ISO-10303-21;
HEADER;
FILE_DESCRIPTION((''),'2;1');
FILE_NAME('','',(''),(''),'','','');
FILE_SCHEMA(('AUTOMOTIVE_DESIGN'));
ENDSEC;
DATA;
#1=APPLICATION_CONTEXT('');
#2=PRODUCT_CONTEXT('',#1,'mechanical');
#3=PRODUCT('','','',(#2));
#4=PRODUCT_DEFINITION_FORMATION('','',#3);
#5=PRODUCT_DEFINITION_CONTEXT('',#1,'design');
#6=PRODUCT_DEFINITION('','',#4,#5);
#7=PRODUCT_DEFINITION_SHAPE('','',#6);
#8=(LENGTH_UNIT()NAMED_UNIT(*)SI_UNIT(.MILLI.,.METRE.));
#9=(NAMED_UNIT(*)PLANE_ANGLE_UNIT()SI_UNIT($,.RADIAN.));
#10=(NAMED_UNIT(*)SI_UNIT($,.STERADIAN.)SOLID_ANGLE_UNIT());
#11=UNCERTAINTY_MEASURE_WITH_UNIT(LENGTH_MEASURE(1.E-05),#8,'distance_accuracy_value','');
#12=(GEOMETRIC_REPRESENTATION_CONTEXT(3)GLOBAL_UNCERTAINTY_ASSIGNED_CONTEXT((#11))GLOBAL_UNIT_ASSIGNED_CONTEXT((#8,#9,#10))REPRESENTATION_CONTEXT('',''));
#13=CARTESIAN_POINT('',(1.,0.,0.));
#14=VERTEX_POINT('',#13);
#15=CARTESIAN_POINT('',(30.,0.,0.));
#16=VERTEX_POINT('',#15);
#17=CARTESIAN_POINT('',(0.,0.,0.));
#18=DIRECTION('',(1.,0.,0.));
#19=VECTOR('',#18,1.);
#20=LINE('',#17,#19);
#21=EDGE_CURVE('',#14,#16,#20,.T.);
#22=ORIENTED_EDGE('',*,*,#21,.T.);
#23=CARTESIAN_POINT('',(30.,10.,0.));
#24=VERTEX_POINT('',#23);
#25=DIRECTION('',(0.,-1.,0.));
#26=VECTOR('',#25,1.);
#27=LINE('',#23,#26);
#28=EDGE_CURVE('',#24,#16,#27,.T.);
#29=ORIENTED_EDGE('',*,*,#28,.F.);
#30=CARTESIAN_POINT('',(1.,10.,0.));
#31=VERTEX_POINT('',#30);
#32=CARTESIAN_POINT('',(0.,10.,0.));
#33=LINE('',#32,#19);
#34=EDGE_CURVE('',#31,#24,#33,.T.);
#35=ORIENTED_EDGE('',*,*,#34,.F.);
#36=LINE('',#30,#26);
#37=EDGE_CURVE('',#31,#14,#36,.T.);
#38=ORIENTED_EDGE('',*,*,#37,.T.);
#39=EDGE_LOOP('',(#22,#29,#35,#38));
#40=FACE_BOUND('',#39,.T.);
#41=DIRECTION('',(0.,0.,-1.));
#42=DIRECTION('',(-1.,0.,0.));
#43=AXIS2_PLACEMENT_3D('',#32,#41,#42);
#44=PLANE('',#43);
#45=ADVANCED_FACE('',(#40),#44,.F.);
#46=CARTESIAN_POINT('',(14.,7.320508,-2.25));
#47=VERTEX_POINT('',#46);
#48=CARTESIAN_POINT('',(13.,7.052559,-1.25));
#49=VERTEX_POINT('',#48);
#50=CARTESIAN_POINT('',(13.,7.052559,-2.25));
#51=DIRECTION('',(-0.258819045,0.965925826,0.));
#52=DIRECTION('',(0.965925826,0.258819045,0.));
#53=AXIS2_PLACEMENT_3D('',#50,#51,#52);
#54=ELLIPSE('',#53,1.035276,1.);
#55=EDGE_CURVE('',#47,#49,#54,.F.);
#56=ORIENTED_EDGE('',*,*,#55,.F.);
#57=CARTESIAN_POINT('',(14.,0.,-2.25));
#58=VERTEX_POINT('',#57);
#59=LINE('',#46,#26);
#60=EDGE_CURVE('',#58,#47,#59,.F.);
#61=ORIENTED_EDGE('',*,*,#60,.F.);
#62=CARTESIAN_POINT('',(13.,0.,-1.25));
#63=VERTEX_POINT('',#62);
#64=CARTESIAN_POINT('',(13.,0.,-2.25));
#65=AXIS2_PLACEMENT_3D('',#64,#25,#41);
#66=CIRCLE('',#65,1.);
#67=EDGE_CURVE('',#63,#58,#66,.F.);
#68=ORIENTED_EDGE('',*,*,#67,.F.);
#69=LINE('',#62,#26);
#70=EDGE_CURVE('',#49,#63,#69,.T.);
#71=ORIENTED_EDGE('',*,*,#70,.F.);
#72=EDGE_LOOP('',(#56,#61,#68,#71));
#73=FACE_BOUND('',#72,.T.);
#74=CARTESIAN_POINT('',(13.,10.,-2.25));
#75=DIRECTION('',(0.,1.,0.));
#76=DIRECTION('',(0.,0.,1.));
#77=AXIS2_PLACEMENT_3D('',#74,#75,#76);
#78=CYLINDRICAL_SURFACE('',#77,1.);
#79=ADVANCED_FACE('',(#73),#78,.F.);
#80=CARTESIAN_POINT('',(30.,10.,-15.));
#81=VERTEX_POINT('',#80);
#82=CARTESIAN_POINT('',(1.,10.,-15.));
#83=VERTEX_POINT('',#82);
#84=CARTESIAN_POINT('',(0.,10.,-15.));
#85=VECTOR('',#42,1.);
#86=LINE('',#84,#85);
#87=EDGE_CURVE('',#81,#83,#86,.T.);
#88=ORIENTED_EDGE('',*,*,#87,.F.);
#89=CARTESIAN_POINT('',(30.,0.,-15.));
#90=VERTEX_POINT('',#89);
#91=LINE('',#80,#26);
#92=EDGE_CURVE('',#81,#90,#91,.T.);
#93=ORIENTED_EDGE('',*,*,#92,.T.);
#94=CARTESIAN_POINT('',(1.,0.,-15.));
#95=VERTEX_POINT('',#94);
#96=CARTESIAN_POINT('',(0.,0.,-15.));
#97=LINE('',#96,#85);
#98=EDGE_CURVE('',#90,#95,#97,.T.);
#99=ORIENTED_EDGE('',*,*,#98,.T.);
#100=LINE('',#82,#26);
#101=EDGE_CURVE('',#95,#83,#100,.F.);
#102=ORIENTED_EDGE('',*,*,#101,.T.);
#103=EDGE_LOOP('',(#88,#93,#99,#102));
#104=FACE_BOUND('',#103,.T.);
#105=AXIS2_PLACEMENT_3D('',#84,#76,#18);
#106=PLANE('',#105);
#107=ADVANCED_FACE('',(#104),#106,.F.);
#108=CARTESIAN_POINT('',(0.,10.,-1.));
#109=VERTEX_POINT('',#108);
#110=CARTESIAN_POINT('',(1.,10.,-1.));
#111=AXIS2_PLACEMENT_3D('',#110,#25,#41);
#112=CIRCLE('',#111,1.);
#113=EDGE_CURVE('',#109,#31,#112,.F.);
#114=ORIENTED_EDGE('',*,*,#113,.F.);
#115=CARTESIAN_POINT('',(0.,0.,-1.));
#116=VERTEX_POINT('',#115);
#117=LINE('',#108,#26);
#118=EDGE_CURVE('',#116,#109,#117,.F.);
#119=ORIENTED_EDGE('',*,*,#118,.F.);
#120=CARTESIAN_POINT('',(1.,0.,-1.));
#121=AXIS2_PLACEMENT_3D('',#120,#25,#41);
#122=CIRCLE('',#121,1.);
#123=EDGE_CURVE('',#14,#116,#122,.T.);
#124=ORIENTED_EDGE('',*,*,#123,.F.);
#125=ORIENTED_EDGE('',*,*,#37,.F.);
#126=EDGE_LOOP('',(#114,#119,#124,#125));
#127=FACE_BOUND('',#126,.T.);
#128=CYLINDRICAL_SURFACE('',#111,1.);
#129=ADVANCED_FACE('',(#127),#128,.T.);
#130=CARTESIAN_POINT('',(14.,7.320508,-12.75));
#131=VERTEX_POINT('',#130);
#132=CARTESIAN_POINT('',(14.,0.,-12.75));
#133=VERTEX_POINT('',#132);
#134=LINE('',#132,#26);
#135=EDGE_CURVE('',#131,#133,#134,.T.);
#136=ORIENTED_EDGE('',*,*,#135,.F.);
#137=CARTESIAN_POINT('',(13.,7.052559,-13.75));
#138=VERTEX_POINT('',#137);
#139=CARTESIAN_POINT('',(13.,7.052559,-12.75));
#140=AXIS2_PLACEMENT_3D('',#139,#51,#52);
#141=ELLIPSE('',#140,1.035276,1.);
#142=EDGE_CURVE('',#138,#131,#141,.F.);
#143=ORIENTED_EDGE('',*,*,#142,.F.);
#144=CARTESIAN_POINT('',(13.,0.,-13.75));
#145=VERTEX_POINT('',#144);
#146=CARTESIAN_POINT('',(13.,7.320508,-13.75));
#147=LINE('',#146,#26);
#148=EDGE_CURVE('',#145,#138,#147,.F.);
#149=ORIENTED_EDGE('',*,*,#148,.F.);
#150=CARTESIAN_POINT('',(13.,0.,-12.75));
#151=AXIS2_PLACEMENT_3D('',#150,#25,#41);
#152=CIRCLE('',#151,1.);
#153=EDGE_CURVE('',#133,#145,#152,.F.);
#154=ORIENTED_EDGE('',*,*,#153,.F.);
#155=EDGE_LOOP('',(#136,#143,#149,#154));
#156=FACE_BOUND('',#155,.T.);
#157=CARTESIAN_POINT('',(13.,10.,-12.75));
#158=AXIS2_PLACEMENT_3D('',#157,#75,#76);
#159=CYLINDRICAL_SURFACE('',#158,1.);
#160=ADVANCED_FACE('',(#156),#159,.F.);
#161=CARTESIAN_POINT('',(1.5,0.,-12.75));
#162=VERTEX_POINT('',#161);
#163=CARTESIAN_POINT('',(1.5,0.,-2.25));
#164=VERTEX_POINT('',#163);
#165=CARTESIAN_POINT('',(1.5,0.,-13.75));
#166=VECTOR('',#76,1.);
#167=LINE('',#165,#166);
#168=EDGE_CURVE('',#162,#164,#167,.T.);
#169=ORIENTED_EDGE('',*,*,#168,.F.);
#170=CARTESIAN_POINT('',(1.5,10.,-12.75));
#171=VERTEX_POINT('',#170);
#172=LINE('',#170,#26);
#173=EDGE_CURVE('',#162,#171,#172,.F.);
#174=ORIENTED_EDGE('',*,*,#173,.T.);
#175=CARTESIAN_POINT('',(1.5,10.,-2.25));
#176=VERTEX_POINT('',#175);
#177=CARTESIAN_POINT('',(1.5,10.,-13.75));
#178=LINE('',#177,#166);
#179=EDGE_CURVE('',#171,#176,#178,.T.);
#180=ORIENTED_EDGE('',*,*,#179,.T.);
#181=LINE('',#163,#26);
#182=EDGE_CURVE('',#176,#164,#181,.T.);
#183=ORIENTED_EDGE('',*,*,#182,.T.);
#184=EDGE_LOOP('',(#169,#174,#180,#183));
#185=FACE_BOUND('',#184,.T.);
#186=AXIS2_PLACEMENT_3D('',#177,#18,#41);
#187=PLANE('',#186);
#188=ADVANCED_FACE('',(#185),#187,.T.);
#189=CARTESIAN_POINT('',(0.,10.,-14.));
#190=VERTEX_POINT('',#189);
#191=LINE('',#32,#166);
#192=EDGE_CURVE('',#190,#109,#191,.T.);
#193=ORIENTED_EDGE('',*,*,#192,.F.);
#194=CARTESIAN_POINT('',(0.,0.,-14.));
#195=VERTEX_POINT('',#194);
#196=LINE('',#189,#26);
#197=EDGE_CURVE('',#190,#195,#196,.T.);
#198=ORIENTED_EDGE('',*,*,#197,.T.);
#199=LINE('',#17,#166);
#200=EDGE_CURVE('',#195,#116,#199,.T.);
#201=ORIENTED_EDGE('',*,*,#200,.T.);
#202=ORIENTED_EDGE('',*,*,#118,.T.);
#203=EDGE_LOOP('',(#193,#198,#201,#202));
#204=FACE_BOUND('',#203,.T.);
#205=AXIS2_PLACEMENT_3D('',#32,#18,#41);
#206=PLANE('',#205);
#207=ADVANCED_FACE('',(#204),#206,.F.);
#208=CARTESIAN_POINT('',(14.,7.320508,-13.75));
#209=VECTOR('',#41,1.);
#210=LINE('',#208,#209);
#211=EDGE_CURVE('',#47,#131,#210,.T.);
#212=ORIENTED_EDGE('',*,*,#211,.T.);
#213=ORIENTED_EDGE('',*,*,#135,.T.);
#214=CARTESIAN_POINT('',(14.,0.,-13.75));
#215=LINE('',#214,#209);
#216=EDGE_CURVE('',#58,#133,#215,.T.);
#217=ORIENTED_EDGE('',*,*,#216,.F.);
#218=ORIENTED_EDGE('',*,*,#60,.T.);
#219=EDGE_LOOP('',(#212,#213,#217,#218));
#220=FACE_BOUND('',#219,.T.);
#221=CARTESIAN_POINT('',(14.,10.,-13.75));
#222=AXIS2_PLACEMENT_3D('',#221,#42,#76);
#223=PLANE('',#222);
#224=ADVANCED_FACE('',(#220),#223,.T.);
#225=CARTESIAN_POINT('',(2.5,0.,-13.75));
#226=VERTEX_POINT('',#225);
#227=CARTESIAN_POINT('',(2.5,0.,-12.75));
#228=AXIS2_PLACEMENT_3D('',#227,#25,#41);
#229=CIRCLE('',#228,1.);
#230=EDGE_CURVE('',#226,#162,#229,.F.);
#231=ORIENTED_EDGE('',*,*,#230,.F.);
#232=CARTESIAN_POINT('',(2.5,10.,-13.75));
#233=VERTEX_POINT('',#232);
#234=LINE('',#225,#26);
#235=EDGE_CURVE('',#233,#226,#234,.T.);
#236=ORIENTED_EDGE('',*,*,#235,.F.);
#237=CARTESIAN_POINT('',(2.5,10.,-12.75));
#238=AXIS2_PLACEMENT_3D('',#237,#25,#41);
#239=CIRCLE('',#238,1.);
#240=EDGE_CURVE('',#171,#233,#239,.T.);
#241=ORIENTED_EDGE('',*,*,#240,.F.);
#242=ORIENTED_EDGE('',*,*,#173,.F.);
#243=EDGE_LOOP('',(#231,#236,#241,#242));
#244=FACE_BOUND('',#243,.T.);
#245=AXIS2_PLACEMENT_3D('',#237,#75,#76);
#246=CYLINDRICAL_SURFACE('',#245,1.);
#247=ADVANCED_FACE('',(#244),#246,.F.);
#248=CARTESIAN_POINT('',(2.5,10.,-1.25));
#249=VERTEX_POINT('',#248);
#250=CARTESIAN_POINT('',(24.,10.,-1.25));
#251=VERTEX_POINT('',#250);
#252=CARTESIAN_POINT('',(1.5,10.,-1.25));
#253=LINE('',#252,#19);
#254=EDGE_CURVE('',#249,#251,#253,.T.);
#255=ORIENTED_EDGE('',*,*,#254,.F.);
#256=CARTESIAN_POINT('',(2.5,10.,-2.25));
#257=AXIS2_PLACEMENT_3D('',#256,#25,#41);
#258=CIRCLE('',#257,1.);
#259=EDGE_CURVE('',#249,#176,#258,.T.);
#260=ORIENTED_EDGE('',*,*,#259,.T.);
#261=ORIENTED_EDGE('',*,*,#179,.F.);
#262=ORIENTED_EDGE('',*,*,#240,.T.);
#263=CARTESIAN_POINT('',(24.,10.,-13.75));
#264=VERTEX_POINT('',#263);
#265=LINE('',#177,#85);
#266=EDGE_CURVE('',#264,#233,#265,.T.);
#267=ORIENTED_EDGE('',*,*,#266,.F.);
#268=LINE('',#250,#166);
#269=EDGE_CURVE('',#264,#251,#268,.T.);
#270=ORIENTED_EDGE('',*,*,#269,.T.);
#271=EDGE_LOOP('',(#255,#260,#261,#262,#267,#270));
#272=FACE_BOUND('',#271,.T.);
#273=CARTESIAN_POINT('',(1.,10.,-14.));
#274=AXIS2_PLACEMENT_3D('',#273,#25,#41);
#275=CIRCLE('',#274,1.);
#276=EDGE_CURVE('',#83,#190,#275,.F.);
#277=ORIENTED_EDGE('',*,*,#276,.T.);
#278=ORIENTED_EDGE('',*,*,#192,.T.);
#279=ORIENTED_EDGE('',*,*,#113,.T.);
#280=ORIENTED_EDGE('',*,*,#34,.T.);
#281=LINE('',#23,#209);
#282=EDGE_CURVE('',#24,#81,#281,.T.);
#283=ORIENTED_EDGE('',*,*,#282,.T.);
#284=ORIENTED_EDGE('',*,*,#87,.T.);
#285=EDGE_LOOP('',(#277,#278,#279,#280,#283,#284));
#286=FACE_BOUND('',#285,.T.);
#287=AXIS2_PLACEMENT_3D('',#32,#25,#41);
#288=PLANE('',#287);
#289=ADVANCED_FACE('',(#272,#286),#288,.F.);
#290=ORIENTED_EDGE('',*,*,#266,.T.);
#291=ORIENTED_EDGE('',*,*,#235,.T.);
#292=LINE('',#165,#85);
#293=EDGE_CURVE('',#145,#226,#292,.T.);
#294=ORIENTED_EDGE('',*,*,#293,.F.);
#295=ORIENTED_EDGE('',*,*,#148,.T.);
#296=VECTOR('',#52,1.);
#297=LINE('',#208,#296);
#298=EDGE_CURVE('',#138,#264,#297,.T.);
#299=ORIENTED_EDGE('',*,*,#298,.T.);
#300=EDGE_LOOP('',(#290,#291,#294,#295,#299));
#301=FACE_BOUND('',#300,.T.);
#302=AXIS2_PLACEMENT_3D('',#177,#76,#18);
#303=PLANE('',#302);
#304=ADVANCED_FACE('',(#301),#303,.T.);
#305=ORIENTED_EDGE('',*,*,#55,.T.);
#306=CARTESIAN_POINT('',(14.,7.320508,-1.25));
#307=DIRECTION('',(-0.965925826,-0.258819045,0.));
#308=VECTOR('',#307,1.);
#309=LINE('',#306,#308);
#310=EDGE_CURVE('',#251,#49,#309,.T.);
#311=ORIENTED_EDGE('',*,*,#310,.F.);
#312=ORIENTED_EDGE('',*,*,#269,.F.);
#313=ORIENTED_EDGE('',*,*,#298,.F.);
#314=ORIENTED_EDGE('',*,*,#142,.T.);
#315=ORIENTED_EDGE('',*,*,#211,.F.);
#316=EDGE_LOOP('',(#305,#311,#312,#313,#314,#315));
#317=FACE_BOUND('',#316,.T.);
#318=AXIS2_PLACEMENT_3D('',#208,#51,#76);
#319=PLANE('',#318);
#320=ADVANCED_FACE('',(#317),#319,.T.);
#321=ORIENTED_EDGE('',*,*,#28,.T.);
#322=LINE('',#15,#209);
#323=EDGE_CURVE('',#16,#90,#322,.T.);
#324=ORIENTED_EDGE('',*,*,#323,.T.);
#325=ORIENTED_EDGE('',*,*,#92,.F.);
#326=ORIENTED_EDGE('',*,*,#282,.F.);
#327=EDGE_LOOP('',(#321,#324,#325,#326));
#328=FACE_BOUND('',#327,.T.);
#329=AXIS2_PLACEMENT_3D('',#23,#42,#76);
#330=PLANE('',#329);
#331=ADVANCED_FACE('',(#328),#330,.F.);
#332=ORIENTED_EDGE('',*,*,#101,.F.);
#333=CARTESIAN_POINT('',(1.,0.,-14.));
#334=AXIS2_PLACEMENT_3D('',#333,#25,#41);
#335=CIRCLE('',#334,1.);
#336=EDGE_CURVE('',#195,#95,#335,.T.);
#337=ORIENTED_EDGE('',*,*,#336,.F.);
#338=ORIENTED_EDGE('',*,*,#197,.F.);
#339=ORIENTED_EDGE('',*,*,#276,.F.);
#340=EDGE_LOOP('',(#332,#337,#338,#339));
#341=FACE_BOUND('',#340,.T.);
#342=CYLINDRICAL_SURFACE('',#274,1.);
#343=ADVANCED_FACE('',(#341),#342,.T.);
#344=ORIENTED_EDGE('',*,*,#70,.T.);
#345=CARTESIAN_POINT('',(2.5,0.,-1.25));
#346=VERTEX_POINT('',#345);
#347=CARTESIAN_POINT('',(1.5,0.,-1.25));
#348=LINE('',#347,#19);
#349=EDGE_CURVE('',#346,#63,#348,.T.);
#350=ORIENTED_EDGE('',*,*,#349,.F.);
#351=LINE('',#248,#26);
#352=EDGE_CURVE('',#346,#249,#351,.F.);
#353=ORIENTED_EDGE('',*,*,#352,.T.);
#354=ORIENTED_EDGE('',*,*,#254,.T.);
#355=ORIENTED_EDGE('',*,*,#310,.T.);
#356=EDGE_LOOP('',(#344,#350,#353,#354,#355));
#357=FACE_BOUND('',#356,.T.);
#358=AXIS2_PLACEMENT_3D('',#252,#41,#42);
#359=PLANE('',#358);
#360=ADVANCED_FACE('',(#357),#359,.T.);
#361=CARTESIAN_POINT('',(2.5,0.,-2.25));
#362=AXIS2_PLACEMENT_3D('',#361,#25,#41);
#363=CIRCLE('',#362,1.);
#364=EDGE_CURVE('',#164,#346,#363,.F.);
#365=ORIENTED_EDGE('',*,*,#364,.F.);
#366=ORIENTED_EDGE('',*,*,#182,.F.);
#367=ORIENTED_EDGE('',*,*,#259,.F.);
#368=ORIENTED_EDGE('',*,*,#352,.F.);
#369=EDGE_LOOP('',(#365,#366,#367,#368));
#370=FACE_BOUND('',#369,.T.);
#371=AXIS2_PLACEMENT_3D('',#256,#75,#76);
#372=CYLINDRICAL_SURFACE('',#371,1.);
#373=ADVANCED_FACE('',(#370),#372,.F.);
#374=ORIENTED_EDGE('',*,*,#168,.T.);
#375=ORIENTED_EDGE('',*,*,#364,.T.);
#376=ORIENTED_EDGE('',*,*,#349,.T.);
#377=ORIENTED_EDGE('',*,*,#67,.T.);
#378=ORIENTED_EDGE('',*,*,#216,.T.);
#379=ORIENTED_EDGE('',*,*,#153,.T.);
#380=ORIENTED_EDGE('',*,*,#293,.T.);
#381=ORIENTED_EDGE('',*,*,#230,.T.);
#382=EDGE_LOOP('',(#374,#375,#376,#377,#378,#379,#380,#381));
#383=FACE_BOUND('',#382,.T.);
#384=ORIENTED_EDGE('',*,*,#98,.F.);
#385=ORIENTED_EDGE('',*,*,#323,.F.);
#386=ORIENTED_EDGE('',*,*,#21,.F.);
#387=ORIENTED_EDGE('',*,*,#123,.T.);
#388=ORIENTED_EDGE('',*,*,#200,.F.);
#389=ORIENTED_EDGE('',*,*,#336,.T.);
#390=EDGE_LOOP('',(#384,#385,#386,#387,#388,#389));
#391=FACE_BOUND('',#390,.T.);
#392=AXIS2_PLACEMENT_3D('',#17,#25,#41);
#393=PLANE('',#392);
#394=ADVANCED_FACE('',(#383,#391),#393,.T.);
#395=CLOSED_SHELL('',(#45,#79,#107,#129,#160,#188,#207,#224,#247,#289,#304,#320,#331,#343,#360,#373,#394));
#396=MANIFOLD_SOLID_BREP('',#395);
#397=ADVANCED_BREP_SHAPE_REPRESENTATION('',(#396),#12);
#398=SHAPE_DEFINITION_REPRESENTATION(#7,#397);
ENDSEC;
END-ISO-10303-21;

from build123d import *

# Parameters (mm, degrees)
CROQUIS1_W              = 30
CROQUIS1_H              = 15
CROQUIS1_W_2            = 12.5
CROQUIS1_H_2            = 12.5
SALIENTE_EXTRUIR1_DEPTH = 10
CHAFL_N1_SIZE           = 10
CHAFL_N1_SIZE2          = 2.679491924
REDONDEO1_R             = 1


with BuildPart() as part:
    # Croquis1 → Saliente-Extruir1 (new body)
    with BuildSketch(Plane(origin=(0, 0, 0), x_dir=(1, 0, 0), z_dir=(0, 1, 0))):
        with Locations((15, 7.5)):
            Rectangle(CROQUIS1_W, CROQUIS1_H)
        with Locations((7.75, 7.5)):
            Rectangle(CROQUIS1_W_2, CROQUIS1_H_2, mode=Mode.SUBTRACT)
    extrude(amount=SALIENTE_EXTRUIR1_DEPTH)

    # Chaflán1
    chafl_n1_edges = [part.edges().sort_by_distance(p)[0] for p in [
        (14, 10, -7.5),
    ]]
    chafl_n1_side = [part.faces().sort_by_distance(p)[0] for p in [
        (18.856382979, 10, -7.5),
    ]]
    chamfer(chafl_n1_edges, length=CHAFL_N1_SIZE, length2=CHAFL_N1_SIZE2, reference=chafl_n1_side[0])

    # Redondeo1
    redondeo1_edges = [part.edges().sort_by_distance(p)[0] for p in [
        (1.5, 5, -13.75),
        (1.5, 5, -1.25),
        (14, 3.660254038, -1.25),
        (14, 3.660254038, -13.75),
        (0, 5, -15),
        (0, 5, 0),
    ]]
    fillet(redondeo1_edges, radius=REDONDEO1_R)


solid = part.part
